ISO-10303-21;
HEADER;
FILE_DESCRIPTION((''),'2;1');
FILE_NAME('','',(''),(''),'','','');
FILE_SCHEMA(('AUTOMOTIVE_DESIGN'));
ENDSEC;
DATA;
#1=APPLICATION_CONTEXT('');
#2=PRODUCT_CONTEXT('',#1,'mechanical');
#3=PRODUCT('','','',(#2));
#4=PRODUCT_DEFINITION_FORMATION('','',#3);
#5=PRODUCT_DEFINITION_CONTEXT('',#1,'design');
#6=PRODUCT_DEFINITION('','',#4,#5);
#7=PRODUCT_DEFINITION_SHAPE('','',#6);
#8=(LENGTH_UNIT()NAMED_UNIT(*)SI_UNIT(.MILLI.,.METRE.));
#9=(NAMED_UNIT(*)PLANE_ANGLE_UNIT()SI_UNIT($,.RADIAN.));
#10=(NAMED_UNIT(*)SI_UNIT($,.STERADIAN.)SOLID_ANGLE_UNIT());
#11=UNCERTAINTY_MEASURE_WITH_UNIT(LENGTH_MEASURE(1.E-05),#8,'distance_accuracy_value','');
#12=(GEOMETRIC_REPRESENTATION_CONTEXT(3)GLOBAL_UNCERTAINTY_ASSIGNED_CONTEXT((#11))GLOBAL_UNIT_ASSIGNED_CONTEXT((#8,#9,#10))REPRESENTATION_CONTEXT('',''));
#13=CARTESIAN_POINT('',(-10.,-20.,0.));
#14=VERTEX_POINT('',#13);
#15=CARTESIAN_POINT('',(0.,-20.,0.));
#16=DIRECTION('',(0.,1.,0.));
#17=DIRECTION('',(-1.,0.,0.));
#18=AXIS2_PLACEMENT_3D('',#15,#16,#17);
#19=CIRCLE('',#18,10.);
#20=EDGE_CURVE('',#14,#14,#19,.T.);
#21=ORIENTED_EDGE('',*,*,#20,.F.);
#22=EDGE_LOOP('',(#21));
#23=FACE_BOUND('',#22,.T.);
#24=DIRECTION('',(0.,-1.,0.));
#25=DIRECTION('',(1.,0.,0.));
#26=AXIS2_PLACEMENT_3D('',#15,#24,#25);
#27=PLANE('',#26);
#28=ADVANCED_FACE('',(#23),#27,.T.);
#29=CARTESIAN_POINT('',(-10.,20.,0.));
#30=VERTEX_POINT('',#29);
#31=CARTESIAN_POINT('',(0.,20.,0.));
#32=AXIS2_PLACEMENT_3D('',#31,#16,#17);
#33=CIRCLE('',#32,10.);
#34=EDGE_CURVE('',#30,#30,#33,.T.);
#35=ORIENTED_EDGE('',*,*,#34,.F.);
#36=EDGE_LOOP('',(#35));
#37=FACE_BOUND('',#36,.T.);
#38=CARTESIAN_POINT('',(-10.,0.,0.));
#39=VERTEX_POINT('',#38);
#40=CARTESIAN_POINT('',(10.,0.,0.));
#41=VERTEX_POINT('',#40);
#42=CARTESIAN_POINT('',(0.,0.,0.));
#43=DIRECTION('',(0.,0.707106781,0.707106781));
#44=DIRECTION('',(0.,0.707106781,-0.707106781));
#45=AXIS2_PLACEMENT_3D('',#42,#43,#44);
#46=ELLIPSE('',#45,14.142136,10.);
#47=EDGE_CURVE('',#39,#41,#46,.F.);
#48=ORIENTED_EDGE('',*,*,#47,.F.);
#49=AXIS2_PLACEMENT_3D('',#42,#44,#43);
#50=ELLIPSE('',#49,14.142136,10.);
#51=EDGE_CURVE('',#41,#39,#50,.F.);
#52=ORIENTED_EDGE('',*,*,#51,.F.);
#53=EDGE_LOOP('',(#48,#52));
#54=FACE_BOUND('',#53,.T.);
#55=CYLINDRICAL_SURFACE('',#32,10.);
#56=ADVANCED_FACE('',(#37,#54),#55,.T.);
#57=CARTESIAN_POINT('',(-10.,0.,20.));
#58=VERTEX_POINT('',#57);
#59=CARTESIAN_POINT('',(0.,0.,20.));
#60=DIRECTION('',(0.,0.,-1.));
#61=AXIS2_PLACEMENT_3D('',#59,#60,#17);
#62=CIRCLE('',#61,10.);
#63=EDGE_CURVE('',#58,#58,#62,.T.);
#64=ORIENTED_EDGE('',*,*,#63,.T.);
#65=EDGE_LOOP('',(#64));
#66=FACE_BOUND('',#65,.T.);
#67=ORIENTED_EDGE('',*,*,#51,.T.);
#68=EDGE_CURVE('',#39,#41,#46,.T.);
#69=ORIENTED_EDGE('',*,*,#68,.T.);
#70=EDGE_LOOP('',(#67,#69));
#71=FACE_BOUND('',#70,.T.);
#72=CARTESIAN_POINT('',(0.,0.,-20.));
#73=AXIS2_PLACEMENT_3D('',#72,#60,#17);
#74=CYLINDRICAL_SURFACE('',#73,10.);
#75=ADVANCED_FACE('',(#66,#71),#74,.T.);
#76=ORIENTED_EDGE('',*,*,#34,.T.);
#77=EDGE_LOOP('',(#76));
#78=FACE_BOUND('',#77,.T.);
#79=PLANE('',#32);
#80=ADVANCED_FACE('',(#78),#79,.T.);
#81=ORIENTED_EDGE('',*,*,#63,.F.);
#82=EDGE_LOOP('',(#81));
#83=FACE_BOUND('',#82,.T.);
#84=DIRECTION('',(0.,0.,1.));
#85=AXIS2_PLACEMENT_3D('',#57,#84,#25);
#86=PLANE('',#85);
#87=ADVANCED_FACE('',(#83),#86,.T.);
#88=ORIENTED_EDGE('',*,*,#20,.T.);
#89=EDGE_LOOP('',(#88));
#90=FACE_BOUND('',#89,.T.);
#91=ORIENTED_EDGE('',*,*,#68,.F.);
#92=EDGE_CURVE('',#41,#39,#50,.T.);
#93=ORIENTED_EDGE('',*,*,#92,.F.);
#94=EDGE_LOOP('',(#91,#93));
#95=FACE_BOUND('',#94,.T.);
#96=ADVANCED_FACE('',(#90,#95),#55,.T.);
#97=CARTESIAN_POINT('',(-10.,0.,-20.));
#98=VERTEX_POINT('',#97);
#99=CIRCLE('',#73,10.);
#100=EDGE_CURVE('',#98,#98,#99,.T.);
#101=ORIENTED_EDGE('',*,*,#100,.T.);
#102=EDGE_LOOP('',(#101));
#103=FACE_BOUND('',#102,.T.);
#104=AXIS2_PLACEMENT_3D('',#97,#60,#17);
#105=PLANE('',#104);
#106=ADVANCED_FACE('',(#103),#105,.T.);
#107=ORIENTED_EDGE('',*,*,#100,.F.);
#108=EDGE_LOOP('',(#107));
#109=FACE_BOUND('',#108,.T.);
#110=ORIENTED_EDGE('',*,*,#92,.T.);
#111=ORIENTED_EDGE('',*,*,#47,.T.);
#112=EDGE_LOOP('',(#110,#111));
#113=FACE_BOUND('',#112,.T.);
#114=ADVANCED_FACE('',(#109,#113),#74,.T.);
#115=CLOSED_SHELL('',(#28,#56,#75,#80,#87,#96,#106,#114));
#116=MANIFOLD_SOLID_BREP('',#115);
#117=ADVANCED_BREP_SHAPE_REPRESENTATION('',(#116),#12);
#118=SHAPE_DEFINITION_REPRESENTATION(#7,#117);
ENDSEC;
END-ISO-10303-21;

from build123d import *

# Parameters (mm, degrees)
SZKIC1_W = 10
SZKIC1_H = 40
SZKIC2_W = 10
SZKIC2_H = 40


with BuildPart() as part:
    # Szkic1 → Obrót1 (revolve)
    with BuildSketch(Plane.XY):
        with Locations((-5, 0)):
            Rectangle(SZKIC1_W, SZKIC1_H)
    revolve(axis=Axis((0, 20, 0), (0, -1, 0)))

    # Szkic2 → Obrót2 (revolve)
    with BuildSketch(Plane(origin=(0, 0, 0), x_dir=(1, 0, 0), z_dir=(0, 1, 0))):
        with Locations((-5, 0)):
            Rectangle(SZKIC2_W, SZKIC2_H)
    revolve(axis=Axis((0, 0, -20), (0, 0, 1)))


solid = part.part
